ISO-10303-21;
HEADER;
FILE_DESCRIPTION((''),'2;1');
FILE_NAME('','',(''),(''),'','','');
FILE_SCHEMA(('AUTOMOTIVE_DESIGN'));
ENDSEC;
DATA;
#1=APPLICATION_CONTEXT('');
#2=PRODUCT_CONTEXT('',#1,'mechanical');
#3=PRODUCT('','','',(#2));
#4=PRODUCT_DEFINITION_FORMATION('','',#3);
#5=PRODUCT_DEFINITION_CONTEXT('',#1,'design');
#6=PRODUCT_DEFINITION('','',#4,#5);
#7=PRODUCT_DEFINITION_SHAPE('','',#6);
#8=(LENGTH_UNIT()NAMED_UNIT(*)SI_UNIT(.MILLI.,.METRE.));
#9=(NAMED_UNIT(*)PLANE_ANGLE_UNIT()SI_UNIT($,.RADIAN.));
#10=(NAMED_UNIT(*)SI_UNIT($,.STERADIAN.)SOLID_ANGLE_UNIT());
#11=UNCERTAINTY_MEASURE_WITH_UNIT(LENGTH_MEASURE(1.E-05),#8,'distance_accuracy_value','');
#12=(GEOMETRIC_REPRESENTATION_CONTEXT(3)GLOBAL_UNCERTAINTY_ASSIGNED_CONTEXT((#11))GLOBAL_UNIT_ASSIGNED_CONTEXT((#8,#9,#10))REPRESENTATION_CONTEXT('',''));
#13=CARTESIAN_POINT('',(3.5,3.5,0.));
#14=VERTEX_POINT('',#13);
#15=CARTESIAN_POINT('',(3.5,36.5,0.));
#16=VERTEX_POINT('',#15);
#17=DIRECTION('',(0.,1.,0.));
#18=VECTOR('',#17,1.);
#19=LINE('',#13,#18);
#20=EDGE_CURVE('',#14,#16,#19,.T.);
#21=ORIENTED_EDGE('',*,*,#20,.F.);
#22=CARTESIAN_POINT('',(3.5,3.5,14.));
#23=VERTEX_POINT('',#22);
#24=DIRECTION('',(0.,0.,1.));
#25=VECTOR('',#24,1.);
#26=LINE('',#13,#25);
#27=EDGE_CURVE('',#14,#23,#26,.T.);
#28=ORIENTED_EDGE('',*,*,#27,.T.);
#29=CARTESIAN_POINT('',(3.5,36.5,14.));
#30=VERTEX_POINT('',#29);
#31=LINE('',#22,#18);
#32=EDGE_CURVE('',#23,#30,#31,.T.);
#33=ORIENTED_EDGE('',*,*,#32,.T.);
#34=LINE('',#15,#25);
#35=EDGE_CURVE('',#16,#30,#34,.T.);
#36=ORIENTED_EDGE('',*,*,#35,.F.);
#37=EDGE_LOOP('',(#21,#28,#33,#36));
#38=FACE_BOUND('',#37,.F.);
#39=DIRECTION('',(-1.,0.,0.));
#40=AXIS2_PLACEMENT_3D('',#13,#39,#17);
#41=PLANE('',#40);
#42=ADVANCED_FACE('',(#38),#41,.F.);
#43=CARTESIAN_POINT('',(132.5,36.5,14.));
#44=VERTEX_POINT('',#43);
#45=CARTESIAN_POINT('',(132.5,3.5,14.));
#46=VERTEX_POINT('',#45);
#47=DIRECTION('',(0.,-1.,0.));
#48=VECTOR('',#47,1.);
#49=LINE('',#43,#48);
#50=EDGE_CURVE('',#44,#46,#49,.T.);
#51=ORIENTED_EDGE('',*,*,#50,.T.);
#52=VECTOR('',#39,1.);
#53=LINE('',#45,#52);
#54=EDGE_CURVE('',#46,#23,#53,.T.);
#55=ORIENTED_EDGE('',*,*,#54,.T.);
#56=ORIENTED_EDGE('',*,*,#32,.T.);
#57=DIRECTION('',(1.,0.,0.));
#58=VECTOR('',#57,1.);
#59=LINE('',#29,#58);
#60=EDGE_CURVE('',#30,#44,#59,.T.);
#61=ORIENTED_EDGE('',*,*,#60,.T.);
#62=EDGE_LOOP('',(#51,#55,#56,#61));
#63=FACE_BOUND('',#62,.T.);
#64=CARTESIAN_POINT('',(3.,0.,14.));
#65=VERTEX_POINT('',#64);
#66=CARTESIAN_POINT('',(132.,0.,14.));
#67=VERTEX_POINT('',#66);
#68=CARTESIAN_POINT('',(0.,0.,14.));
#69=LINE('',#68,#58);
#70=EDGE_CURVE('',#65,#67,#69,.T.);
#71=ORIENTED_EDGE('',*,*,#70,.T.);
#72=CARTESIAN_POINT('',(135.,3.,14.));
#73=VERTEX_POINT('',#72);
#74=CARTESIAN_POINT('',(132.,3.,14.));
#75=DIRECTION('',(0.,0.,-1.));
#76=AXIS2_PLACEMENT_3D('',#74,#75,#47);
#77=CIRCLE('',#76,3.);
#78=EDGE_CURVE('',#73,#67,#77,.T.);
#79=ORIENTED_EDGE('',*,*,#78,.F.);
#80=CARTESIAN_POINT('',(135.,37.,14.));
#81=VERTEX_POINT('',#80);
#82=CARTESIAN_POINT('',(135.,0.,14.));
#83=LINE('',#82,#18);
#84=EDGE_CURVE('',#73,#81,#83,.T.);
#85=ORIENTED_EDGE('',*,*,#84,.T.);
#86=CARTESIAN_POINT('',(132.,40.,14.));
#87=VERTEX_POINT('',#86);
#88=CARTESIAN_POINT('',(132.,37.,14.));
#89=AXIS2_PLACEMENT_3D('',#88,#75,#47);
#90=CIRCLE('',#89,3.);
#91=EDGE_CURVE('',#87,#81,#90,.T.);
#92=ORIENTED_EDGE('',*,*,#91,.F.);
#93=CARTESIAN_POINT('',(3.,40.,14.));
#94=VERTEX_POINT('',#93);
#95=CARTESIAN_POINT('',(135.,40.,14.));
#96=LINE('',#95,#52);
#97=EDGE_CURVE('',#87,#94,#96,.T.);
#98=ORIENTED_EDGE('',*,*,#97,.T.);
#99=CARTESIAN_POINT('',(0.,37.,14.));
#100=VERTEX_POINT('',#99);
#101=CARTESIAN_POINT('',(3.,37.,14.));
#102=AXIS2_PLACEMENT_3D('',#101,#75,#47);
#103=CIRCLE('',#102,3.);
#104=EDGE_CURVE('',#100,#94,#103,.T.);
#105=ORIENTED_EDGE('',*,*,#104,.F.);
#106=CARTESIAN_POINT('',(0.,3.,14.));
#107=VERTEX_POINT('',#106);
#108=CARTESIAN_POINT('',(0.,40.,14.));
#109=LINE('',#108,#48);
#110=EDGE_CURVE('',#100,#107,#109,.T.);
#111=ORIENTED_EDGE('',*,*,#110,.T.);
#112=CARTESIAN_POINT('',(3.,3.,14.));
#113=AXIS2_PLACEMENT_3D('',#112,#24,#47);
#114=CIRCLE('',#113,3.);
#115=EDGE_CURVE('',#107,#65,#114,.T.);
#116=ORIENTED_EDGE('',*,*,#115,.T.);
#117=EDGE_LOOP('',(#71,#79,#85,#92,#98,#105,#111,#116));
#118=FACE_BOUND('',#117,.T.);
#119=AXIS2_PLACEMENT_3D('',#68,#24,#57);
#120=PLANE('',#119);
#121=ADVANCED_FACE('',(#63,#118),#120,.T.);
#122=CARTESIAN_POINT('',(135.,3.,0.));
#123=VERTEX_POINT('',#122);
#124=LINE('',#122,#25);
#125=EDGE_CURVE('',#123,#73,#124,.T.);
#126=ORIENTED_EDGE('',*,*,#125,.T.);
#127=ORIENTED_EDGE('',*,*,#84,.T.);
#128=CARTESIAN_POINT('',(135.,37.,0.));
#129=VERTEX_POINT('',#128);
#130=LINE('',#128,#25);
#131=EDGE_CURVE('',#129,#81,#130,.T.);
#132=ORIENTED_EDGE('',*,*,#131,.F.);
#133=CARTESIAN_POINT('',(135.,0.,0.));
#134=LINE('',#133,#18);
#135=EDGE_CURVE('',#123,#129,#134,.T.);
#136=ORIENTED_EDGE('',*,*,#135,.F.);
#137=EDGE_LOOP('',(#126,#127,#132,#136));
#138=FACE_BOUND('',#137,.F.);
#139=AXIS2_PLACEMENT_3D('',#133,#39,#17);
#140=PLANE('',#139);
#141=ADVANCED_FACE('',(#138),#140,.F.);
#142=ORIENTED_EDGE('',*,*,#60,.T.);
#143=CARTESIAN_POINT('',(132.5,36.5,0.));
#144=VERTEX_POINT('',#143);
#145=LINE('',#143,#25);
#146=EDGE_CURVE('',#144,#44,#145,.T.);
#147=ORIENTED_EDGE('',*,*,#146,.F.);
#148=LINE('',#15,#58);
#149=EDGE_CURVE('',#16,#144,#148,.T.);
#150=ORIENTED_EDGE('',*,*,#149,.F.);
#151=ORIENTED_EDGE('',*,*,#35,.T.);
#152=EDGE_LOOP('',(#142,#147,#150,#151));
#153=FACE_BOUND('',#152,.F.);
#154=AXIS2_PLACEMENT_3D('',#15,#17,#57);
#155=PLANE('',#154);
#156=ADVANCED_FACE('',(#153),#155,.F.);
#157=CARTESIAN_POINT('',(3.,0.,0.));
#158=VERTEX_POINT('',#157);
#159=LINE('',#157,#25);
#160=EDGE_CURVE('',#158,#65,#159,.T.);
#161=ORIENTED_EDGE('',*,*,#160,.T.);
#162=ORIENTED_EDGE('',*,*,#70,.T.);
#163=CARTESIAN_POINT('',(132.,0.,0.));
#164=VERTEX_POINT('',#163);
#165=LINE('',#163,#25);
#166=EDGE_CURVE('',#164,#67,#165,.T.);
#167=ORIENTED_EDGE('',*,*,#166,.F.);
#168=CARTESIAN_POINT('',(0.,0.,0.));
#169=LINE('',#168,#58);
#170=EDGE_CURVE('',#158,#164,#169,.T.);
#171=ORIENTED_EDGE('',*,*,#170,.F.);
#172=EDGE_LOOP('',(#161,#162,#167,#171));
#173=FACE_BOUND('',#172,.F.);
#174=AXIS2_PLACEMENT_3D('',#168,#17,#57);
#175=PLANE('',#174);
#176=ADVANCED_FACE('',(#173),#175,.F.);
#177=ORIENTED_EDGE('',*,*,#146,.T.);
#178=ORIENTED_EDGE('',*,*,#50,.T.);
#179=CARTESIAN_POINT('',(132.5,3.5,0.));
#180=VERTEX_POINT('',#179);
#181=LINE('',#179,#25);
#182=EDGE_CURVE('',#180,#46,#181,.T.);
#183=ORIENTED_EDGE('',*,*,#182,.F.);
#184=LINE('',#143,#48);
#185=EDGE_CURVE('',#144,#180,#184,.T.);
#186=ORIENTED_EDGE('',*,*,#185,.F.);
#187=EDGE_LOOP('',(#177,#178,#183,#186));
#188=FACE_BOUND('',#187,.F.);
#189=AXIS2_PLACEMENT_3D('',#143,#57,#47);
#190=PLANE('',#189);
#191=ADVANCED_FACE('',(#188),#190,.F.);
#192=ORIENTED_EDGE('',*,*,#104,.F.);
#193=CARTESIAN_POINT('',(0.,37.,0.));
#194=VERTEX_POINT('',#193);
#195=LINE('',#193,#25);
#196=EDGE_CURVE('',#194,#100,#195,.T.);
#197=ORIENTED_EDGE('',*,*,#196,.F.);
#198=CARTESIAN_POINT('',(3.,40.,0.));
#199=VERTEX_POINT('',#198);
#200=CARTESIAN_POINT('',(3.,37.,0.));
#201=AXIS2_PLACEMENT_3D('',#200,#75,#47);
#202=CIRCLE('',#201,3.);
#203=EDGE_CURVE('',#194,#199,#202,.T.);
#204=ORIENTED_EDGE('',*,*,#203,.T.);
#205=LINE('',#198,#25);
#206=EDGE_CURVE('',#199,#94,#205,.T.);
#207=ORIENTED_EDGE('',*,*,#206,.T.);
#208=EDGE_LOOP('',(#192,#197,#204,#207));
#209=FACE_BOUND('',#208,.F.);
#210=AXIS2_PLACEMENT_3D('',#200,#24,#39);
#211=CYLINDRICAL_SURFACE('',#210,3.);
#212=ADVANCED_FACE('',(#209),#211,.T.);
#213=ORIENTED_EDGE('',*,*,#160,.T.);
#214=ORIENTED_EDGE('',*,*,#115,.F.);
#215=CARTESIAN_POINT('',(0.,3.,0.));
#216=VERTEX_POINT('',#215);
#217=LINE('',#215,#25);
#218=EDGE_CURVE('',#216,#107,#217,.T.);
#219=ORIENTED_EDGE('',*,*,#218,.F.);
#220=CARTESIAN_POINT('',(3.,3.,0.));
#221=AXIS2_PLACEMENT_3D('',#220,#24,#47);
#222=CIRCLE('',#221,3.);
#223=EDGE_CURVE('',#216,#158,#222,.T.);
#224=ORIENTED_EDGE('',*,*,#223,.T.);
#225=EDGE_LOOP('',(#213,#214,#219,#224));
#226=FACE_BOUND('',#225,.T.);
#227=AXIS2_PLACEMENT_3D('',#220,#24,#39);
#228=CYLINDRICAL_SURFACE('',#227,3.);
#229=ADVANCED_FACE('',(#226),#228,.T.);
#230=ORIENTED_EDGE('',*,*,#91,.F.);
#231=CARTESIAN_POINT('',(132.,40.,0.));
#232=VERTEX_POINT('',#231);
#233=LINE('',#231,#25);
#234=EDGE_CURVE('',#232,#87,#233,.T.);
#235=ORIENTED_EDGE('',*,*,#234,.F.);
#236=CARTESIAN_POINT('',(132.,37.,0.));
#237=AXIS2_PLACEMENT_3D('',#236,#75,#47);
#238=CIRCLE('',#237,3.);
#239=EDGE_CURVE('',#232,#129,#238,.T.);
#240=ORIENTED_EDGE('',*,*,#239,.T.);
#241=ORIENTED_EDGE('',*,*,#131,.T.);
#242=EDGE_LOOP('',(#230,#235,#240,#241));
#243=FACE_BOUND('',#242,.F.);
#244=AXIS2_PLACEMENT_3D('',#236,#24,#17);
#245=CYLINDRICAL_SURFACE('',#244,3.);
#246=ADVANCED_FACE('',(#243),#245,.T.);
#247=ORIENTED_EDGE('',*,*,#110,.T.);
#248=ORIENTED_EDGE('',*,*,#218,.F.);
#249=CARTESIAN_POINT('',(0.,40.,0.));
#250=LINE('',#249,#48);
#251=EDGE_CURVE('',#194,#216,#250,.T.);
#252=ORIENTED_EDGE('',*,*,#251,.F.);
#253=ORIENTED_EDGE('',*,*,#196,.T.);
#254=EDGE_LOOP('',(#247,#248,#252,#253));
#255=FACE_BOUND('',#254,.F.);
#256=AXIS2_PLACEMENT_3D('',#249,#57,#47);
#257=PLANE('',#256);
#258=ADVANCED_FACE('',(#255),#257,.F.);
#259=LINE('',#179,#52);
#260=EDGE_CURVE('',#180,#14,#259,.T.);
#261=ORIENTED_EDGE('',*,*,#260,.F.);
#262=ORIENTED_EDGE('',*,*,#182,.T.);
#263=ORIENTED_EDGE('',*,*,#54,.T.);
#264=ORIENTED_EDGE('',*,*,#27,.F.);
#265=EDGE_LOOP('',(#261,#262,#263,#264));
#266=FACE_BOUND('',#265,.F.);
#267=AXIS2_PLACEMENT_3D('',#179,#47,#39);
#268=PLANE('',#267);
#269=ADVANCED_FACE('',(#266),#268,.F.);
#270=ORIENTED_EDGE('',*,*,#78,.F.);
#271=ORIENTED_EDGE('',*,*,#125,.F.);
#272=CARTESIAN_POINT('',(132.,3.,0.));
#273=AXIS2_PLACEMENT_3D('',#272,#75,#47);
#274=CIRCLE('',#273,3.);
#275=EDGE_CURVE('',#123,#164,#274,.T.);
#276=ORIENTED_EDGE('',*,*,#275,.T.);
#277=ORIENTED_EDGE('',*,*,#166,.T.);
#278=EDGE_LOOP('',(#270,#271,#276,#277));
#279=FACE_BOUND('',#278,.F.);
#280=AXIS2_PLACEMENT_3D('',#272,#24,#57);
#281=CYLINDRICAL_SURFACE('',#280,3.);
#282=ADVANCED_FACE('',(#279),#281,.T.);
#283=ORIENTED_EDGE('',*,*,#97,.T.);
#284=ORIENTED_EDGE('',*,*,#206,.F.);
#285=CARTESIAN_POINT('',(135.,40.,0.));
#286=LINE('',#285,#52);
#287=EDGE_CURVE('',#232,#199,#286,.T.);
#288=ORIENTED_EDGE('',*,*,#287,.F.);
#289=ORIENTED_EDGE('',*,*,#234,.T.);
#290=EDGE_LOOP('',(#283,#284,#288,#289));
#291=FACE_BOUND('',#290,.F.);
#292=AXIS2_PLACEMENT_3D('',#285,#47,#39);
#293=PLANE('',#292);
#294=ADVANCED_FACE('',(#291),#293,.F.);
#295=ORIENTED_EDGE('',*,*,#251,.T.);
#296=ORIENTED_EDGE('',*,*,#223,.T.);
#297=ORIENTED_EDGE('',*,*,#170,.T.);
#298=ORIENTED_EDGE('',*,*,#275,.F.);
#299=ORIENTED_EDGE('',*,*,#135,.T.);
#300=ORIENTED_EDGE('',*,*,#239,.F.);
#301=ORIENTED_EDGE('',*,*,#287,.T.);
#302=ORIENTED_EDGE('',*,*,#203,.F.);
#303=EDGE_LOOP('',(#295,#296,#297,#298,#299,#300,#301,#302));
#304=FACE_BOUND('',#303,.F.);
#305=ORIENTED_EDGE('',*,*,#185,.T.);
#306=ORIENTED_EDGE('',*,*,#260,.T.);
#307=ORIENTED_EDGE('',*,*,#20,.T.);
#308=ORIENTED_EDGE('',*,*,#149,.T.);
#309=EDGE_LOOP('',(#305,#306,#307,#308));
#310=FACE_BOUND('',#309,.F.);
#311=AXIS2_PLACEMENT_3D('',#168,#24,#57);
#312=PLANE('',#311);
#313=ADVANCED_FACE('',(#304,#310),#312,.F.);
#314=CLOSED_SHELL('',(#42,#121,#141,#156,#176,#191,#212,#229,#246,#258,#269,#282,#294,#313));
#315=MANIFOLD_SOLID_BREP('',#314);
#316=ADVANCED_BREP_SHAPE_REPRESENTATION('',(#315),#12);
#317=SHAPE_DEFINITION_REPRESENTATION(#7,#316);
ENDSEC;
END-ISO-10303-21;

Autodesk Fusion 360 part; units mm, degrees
sketch "Sketch1" plane through (0, 0, 0) normal (0, 0, 1) x (1, 0, 0)
  line L0 (0, 0) -> (135, 0)
  line L1 (135, 0) -> (135, 40)
  line L2 (135, 40) -> (0, 40)
  line L3 (0, 40) -> (0, 0)
  line L4 (3.5, 36.5) -> (132.5, 36.5)
  line L5 (132.5, 36.5) -> (132.5, 3.5)
  line L6 (132.5, 3.5) -> (3.5, 3.5)
  line L7 (3.5, 3.5) -> (3.5, 36.5)
  dimension "d1" = 135
  dimension "d2" = 129
  dimension "d3" = 33
  dimension "d4" = 40
  dimension "d5" = 3.5
  dimension "d6" = 3.5
extrude "Extrude2" add sketch "Sketch1" along normal blind 14
fillet "Fillet2" radius 3 4 edges at (135, 0, 7) (135, 40, 7) (0, 0, 7) (0, 40, 7)
extrude "Extrude1" [suppressed]
fillet "Fillet1" [suppressed]
